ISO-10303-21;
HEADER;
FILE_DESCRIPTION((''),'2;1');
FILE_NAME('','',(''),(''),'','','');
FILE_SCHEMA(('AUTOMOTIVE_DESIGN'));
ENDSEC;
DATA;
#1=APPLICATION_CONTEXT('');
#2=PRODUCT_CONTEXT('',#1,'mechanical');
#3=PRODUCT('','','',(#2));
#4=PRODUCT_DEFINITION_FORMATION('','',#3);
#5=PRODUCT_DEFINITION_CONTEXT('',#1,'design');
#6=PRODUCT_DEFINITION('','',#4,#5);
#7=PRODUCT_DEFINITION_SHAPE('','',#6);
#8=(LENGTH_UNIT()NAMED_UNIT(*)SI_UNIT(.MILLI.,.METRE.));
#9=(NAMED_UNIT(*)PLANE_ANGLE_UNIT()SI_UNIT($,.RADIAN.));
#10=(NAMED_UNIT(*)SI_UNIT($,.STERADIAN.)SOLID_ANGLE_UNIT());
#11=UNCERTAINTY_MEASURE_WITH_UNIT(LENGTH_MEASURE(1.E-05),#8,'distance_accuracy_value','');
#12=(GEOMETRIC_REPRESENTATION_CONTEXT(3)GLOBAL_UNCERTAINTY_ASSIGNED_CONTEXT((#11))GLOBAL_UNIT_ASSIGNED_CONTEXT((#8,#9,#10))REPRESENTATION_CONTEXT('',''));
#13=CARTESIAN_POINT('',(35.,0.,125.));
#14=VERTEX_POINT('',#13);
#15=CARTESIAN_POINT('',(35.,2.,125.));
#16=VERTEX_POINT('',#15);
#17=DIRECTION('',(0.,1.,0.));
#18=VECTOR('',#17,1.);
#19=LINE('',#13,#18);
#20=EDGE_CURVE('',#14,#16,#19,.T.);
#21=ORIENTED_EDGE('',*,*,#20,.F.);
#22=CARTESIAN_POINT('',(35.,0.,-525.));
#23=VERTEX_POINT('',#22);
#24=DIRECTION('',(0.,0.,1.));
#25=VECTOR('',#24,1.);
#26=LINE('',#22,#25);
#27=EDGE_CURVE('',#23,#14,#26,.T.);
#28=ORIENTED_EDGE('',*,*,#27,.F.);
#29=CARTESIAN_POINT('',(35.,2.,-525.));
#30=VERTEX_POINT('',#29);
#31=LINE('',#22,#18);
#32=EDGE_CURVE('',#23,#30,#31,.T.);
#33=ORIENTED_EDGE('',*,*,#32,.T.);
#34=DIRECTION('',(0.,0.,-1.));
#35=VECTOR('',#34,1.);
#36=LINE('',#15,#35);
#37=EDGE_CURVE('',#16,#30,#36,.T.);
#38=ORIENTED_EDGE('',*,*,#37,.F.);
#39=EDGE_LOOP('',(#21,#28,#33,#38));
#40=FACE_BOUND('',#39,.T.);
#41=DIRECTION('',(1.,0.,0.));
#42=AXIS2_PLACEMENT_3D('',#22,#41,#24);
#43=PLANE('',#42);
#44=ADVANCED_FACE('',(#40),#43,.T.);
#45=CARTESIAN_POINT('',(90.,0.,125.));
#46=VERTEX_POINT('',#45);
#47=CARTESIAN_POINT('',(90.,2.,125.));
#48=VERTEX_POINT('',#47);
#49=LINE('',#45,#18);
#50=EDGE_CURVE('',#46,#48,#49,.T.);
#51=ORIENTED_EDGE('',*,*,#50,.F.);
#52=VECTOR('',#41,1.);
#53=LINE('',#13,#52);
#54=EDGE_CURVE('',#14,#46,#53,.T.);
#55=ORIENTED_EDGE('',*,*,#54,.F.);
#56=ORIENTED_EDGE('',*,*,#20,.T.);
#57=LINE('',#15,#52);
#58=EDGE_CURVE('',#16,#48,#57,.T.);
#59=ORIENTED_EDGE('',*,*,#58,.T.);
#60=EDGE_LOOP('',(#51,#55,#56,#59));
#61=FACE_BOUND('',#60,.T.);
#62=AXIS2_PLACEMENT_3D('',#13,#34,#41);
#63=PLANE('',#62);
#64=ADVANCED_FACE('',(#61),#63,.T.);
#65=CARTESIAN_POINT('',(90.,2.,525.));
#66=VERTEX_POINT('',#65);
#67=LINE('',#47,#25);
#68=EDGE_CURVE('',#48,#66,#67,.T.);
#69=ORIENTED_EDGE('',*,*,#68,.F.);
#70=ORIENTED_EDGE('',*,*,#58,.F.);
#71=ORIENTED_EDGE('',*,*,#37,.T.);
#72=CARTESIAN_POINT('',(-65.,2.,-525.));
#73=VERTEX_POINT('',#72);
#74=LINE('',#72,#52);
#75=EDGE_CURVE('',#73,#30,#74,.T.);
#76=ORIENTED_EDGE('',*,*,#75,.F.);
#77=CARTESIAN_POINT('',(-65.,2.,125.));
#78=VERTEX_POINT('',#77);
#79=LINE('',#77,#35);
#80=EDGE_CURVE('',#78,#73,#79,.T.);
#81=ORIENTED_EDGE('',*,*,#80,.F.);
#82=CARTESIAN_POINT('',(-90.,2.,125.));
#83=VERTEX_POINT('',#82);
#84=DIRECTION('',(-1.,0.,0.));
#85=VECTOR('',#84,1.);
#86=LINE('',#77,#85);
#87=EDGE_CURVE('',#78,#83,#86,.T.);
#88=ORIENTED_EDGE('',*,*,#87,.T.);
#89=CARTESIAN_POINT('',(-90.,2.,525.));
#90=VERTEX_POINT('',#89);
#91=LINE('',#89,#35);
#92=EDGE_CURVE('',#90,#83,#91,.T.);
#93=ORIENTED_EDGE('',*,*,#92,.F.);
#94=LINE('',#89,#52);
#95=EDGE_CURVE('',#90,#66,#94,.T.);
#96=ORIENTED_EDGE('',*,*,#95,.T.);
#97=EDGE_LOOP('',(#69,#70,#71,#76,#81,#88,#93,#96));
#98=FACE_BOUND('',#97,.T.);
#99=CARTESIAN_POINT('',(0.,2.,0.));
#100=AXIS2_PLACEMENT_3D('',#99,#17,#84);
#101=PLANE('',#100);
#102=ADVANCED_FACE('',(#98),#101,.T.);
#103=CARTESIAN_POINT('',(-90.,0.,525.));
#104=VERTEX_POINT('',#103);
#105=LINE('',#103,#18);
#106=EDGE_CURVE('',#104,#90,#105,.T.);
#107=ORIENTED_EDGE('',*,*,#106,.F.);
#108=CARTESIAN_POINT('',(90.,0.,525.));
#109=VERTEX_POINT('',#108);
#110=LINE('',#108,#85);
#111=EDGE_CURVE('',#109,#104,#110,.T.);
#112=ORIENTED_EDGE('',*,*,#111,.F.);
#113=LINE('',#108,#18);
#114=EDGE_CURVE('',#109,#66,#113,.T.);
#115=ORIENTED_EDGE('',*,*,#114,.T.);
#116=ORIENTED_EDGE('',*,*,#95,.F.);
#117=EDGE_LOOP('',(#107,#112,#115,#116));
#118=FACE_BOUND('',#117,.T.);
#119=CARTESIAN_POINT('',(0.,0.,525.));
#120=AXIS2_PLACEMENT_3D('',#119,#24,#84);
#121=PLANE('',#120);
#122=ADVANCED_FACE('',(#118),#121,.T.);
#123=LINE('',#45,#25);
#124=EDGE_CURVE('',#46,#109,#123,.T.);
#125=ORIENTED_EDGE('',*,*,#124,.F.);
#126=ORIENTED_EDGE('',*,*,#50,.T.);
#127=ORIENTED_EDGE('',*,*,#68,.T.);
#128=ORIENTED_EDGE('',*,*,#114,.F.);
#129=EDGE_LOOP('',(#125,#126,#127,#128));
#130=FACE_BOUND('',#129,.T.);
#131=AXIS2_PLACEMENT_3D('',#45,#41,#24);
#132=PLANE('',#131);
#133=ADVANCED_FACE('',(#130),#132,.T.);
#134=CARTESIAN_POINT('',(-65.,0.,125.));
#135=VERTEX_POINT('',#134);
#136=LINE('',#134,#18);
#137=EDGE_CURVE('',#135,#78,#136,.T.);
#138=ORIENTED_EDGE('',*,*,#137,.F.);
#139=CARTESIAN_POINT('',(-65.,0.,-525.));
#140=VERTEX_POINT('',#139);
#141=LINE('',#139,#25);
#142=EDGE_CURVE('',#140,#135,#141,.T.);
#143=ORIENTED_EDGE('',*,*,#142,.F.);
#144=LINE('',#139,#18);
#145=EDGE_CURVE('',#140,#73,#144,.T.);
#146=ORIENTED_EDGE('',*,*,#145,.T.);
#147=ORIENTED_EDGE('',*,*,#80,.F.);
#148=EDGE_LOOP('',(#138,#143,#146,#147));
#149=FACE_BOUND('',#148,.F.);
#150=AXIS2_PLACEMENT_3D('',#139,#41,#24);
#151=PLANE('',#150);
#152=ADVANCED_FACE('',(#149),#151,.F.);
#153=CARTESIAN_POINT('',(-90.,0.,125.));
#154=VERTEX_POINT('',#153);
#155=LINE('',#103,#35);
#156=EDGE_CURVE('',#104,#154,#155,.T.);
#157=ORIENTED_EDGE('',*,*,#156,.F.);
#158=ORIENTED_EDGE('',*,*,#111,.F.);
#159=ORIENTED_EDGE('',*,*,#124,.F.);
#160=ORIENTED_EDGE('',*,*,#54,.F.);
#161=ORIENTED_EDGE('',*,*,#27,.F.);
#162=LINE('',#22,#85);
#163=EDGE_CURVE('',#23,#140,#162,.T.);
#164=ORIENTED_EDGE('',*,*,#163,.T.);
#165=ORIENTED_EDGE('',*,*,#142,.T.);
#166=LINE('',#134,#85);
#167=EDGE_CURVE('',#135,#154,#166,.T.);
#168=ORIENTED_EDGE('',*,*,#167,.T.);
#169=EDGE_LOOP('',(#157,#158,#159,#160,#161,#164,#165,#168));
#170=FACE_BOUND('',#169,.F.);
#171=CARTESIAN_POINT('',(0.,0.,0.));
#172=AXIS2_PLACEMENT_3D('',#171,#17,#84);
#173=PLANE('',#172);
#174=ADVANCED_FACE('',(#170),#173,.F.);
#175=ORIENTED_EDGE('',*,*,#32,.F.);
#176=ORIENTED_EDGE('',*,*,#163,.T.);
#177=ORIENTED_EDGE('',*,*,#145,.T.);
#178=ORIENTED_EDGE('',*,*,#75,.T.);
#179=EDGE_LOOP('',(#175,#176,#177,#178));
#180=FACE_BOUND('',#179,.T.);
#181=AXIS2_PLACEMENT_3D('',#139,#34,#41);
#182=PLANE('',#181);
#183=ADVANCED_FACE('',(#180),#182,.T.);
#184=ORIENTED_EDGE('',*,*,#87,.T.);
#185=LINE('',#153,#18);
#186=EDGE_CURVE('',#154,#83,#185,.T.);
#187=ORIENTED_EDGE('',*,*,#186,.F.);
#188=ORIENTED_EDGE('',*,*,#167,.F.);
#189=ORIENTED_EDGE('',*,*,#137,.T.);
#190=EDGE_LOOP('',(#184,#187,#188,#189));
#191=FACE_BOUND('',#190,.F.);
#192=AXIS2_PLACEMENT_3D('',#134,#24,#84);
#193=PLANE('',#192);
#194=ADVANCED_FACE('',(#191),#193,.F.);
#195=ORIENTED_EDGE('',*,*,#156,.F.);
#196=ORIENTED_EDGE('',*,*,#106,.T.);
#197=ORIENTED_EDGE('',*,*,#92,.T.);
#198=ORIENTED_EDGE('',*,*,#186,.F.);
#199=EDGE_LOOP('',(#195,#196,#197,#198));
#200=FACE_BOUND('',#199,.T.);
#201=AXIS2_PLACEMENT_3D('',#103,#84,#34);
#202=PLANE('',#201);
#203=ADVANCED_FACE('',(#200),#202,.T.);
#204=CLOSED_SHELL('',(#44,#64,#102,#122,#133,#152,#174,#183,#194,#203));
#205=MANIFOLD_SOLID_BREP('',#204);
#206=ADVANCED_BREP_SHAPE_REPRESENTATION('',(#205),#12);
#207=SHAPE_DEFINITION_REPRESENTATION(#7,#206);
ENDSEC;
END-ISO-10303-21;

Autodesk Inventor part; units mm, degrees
ref_plane "YZ Plane" through (0, 0, 0) normal (1, 0, 0) x (0, 1, 0)
ref_plane "XZ Plane" through (0, 0, 0) normal (0, 1, 0) x (-1, 0, 0)
ref_plane "XY Plane" through (0, 0, 0) normal (0, 0, 1) x (1, 0, 0)
sketch "Sketch1" plane through (0, 0, 0) normal (0, 1, 0) x (-1, 0, 0)
  line L0 (65, -525) -> (-35, -525)
  line L1 (-90, 125) -> (-90, 525)
  line L2 (-90, 525) -> (90, 525)
  line L3 (-35, -525) -> (-35, 125)
  line L4 (-35, 125) -> (-90, 125)
  line L5 (0, 525) -> (0, -525)
  line L6 (65, -525) -> (65, 125)
  line L7 (65, 125) -> (90, 125)
  line L8 (90, 525) -> (90, 125)
  line L9 (65, 0) -> (-35, 0)
  point P0 (0, 0)
  dimension "d2" = 650
  dimension "d6" = 1050
  dimension "d7" = 180
  dimension "d8" = 25
  dimension "d9" = 125
extrude "Extrusion1" add sketch "Sketch1" along normal blind 2
properties part number "Sol" material "LCP Plastic"
